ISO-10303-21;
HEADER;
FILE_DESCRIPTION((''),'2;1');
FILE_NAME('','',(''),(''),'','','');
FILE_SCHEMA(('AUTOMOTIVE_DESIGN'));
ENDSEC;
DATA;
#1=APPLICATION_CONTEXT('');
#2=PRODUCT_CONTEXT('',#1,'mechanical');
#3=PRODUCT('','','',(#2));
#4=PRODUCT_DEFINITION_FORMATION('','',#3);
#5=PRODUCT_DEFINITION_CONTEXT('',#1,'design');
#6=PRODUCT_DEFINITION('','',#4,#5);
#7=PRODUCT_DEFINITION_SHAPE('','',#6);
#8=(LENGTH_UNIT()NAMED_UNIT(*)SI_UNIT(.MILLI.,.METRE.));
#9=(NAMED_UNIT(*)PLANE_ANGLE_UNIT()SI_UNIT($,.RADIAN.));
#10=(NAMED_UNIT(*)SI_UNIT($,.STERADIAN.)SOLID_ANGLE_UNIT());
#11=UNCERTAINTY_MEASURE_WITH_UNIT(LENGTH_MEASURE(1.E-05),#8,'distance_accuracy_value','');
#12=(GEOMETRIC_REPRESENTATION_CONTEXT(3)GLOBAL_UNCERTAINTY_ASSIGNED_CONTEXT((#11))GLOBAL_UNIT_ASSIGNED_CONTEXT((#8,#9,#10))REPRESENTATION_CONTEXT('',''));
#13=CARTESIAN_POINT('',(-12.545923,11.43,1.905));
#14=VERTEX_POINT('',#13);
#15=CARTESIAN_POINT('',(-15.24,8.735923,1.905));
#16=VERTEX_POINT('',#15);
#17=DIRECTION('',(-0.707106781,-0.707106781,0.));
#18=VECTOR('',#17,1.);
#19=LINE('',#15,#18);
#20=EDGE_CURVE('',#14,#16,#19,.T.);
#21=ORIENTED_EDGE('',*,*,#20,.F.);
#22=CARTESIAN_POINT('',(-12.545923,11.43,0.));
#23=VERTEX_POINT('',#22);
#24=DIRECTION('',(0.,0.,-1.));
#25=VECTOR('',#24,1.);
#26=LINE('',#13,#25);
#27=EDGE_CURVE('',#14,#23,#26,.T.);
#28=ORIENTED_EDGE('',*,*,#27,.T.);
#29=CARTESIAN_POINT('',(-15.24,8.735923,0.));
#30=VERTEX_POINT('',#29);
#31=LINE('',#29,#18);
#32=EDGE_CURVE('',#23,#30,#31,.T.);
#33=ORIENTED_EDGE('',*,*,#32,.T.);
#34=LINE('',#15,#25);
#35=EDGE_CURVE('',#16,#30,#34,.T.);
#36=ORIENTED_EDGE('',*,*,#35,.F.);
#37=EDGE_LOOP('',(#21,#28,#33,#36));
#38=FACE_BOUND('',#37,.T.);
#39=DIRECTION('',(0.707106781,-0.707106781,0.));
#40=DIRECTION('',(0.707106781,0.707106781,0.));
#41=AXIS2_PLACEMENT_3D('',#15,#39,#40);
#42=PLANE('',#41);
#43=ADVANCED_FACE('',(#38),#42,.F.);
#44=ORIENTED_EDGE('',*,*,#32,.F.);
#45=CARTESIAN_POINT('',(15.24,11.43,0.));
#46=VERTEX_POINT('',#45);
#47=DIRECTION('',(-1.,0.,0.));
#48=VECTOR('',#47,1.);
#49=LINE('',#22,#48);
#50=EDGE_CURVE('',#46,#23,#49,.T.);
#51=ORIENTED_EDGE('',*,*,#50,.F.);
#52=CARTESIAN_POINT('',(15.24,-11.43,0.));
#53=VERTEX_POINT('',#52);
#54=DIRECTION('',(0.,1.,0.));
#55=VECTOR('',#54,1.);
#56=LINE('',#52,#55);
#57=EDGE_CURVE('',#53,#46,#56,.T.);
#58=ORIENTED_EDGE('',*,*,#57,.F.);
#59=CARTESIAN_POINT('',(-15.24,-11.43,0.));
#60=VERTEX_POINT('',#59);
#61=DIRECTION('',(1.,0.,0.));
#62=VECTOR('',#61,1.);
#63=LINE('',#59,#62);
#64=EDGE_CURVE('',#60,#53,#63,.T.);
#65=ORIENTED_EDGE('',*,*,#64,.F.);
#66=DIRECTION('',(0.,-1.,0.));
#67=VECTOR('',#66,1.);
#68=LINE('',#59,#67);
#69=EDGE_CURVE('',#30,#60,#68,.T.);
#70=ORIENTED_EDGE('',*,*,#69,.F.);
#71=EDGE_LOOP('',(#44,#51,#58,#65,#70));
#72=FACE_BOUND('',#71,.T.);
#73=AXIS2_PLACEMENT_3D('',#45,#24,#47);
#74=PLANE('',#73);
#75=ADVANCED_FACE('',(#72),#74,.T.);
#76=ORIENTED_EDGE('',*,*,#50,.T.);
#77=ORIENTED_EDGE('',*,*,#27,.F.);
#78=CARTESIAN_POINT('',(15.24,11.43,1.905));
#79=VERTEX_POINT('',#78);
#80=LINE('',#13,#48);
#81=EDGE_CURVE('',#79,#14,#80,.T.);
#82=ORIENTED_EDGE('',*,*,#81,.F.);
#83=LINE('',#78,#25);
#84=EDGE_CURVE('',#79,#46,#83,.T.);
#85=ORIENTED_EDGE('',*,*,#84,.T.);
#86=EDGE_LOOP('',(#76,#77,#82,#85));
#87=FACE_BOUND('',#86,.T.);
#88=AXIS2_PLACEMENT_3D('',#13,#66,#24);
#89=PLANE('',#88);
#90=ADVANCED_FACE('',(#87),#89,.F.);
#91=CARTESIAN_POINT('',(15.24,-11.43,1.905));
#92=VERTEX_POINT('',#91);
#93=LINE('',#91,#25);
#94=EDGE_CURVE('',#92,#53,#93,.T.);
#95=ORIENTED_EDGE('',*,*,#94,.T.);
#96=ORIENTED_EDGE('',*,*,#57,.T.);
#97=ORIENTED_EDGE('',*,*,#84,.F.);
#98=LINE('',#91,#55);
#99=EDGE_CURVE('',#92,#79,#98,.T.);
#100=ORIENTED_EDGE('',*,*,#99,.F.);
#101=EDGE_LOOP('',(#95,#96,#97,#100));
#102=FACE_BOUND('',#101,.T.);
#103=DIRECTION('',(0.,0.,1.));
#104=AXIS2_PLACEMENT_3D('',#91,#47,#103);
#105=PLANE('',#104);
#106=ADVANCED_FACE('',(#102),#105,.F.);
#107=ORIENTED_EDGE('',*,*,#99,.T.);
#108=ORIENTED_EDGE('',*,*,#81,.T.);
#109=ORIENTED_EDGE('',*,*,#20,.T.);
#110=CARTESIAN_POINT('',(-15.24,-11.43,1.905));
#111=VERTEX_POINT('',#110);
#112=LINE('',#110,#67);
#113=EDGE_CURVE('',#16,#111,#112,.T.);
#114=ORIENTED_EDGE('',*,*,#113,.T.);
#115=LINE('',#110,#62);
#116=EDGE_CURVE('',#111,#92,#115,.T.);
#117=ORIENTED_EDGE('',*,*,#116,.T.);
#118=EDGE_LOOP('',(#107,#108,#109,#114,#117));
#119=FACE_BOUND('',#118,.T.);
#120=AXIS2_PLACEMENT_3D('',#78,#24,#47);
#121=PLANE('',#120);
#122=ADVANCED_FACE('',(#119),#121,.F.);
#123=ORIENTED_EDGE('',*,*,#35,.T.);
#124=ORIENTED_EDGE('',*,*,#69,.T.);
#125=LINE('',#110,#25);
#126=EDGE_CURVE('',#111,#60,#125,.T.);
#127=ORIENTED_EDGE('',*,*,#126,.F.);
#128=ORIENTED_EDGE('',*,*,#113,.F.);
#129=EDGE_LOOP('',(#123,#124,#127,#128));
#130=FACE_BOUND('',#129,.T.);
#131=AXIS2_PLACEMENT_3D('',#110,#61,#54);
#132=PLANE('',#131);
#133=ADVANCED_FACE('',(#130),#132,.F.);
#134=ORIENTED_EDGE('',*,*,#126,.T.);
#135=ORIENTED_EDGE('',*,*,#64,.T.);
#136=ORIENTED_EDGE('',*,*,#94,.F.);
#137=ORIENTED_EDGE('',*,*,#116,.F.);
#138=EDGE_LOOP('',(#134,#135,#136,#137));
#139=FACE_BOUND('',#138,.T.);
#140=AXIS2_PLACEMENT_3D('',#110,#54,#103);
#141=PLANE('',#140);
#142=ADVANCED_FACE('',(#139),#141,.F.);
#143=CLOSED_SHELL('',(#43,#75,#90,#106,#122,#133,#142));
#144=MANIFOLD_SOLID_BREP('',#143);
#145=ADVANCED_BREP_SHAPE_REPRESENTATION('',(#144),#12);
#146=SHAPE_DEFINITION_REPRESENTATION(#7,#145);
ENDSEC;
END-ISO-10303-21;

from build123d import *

# Parameters (mm, degrees)
BOSS_EXTRUDE1_DEPTH = 1.905


with BuildPart() as part:
    # Sketch1 → Boss-Extrude1 (new body)
    with BuildSketch(Plane.XY):
        Polygon((-15.24, 8.735923164), (-12.545923164, 11.43), (15.24, 11.43), (15.24, -11.43), (-15.24, -11.43), align=None)
    extrude(amount=BOSS_EXTRUDE1_DEPTH)


solid = part.part
